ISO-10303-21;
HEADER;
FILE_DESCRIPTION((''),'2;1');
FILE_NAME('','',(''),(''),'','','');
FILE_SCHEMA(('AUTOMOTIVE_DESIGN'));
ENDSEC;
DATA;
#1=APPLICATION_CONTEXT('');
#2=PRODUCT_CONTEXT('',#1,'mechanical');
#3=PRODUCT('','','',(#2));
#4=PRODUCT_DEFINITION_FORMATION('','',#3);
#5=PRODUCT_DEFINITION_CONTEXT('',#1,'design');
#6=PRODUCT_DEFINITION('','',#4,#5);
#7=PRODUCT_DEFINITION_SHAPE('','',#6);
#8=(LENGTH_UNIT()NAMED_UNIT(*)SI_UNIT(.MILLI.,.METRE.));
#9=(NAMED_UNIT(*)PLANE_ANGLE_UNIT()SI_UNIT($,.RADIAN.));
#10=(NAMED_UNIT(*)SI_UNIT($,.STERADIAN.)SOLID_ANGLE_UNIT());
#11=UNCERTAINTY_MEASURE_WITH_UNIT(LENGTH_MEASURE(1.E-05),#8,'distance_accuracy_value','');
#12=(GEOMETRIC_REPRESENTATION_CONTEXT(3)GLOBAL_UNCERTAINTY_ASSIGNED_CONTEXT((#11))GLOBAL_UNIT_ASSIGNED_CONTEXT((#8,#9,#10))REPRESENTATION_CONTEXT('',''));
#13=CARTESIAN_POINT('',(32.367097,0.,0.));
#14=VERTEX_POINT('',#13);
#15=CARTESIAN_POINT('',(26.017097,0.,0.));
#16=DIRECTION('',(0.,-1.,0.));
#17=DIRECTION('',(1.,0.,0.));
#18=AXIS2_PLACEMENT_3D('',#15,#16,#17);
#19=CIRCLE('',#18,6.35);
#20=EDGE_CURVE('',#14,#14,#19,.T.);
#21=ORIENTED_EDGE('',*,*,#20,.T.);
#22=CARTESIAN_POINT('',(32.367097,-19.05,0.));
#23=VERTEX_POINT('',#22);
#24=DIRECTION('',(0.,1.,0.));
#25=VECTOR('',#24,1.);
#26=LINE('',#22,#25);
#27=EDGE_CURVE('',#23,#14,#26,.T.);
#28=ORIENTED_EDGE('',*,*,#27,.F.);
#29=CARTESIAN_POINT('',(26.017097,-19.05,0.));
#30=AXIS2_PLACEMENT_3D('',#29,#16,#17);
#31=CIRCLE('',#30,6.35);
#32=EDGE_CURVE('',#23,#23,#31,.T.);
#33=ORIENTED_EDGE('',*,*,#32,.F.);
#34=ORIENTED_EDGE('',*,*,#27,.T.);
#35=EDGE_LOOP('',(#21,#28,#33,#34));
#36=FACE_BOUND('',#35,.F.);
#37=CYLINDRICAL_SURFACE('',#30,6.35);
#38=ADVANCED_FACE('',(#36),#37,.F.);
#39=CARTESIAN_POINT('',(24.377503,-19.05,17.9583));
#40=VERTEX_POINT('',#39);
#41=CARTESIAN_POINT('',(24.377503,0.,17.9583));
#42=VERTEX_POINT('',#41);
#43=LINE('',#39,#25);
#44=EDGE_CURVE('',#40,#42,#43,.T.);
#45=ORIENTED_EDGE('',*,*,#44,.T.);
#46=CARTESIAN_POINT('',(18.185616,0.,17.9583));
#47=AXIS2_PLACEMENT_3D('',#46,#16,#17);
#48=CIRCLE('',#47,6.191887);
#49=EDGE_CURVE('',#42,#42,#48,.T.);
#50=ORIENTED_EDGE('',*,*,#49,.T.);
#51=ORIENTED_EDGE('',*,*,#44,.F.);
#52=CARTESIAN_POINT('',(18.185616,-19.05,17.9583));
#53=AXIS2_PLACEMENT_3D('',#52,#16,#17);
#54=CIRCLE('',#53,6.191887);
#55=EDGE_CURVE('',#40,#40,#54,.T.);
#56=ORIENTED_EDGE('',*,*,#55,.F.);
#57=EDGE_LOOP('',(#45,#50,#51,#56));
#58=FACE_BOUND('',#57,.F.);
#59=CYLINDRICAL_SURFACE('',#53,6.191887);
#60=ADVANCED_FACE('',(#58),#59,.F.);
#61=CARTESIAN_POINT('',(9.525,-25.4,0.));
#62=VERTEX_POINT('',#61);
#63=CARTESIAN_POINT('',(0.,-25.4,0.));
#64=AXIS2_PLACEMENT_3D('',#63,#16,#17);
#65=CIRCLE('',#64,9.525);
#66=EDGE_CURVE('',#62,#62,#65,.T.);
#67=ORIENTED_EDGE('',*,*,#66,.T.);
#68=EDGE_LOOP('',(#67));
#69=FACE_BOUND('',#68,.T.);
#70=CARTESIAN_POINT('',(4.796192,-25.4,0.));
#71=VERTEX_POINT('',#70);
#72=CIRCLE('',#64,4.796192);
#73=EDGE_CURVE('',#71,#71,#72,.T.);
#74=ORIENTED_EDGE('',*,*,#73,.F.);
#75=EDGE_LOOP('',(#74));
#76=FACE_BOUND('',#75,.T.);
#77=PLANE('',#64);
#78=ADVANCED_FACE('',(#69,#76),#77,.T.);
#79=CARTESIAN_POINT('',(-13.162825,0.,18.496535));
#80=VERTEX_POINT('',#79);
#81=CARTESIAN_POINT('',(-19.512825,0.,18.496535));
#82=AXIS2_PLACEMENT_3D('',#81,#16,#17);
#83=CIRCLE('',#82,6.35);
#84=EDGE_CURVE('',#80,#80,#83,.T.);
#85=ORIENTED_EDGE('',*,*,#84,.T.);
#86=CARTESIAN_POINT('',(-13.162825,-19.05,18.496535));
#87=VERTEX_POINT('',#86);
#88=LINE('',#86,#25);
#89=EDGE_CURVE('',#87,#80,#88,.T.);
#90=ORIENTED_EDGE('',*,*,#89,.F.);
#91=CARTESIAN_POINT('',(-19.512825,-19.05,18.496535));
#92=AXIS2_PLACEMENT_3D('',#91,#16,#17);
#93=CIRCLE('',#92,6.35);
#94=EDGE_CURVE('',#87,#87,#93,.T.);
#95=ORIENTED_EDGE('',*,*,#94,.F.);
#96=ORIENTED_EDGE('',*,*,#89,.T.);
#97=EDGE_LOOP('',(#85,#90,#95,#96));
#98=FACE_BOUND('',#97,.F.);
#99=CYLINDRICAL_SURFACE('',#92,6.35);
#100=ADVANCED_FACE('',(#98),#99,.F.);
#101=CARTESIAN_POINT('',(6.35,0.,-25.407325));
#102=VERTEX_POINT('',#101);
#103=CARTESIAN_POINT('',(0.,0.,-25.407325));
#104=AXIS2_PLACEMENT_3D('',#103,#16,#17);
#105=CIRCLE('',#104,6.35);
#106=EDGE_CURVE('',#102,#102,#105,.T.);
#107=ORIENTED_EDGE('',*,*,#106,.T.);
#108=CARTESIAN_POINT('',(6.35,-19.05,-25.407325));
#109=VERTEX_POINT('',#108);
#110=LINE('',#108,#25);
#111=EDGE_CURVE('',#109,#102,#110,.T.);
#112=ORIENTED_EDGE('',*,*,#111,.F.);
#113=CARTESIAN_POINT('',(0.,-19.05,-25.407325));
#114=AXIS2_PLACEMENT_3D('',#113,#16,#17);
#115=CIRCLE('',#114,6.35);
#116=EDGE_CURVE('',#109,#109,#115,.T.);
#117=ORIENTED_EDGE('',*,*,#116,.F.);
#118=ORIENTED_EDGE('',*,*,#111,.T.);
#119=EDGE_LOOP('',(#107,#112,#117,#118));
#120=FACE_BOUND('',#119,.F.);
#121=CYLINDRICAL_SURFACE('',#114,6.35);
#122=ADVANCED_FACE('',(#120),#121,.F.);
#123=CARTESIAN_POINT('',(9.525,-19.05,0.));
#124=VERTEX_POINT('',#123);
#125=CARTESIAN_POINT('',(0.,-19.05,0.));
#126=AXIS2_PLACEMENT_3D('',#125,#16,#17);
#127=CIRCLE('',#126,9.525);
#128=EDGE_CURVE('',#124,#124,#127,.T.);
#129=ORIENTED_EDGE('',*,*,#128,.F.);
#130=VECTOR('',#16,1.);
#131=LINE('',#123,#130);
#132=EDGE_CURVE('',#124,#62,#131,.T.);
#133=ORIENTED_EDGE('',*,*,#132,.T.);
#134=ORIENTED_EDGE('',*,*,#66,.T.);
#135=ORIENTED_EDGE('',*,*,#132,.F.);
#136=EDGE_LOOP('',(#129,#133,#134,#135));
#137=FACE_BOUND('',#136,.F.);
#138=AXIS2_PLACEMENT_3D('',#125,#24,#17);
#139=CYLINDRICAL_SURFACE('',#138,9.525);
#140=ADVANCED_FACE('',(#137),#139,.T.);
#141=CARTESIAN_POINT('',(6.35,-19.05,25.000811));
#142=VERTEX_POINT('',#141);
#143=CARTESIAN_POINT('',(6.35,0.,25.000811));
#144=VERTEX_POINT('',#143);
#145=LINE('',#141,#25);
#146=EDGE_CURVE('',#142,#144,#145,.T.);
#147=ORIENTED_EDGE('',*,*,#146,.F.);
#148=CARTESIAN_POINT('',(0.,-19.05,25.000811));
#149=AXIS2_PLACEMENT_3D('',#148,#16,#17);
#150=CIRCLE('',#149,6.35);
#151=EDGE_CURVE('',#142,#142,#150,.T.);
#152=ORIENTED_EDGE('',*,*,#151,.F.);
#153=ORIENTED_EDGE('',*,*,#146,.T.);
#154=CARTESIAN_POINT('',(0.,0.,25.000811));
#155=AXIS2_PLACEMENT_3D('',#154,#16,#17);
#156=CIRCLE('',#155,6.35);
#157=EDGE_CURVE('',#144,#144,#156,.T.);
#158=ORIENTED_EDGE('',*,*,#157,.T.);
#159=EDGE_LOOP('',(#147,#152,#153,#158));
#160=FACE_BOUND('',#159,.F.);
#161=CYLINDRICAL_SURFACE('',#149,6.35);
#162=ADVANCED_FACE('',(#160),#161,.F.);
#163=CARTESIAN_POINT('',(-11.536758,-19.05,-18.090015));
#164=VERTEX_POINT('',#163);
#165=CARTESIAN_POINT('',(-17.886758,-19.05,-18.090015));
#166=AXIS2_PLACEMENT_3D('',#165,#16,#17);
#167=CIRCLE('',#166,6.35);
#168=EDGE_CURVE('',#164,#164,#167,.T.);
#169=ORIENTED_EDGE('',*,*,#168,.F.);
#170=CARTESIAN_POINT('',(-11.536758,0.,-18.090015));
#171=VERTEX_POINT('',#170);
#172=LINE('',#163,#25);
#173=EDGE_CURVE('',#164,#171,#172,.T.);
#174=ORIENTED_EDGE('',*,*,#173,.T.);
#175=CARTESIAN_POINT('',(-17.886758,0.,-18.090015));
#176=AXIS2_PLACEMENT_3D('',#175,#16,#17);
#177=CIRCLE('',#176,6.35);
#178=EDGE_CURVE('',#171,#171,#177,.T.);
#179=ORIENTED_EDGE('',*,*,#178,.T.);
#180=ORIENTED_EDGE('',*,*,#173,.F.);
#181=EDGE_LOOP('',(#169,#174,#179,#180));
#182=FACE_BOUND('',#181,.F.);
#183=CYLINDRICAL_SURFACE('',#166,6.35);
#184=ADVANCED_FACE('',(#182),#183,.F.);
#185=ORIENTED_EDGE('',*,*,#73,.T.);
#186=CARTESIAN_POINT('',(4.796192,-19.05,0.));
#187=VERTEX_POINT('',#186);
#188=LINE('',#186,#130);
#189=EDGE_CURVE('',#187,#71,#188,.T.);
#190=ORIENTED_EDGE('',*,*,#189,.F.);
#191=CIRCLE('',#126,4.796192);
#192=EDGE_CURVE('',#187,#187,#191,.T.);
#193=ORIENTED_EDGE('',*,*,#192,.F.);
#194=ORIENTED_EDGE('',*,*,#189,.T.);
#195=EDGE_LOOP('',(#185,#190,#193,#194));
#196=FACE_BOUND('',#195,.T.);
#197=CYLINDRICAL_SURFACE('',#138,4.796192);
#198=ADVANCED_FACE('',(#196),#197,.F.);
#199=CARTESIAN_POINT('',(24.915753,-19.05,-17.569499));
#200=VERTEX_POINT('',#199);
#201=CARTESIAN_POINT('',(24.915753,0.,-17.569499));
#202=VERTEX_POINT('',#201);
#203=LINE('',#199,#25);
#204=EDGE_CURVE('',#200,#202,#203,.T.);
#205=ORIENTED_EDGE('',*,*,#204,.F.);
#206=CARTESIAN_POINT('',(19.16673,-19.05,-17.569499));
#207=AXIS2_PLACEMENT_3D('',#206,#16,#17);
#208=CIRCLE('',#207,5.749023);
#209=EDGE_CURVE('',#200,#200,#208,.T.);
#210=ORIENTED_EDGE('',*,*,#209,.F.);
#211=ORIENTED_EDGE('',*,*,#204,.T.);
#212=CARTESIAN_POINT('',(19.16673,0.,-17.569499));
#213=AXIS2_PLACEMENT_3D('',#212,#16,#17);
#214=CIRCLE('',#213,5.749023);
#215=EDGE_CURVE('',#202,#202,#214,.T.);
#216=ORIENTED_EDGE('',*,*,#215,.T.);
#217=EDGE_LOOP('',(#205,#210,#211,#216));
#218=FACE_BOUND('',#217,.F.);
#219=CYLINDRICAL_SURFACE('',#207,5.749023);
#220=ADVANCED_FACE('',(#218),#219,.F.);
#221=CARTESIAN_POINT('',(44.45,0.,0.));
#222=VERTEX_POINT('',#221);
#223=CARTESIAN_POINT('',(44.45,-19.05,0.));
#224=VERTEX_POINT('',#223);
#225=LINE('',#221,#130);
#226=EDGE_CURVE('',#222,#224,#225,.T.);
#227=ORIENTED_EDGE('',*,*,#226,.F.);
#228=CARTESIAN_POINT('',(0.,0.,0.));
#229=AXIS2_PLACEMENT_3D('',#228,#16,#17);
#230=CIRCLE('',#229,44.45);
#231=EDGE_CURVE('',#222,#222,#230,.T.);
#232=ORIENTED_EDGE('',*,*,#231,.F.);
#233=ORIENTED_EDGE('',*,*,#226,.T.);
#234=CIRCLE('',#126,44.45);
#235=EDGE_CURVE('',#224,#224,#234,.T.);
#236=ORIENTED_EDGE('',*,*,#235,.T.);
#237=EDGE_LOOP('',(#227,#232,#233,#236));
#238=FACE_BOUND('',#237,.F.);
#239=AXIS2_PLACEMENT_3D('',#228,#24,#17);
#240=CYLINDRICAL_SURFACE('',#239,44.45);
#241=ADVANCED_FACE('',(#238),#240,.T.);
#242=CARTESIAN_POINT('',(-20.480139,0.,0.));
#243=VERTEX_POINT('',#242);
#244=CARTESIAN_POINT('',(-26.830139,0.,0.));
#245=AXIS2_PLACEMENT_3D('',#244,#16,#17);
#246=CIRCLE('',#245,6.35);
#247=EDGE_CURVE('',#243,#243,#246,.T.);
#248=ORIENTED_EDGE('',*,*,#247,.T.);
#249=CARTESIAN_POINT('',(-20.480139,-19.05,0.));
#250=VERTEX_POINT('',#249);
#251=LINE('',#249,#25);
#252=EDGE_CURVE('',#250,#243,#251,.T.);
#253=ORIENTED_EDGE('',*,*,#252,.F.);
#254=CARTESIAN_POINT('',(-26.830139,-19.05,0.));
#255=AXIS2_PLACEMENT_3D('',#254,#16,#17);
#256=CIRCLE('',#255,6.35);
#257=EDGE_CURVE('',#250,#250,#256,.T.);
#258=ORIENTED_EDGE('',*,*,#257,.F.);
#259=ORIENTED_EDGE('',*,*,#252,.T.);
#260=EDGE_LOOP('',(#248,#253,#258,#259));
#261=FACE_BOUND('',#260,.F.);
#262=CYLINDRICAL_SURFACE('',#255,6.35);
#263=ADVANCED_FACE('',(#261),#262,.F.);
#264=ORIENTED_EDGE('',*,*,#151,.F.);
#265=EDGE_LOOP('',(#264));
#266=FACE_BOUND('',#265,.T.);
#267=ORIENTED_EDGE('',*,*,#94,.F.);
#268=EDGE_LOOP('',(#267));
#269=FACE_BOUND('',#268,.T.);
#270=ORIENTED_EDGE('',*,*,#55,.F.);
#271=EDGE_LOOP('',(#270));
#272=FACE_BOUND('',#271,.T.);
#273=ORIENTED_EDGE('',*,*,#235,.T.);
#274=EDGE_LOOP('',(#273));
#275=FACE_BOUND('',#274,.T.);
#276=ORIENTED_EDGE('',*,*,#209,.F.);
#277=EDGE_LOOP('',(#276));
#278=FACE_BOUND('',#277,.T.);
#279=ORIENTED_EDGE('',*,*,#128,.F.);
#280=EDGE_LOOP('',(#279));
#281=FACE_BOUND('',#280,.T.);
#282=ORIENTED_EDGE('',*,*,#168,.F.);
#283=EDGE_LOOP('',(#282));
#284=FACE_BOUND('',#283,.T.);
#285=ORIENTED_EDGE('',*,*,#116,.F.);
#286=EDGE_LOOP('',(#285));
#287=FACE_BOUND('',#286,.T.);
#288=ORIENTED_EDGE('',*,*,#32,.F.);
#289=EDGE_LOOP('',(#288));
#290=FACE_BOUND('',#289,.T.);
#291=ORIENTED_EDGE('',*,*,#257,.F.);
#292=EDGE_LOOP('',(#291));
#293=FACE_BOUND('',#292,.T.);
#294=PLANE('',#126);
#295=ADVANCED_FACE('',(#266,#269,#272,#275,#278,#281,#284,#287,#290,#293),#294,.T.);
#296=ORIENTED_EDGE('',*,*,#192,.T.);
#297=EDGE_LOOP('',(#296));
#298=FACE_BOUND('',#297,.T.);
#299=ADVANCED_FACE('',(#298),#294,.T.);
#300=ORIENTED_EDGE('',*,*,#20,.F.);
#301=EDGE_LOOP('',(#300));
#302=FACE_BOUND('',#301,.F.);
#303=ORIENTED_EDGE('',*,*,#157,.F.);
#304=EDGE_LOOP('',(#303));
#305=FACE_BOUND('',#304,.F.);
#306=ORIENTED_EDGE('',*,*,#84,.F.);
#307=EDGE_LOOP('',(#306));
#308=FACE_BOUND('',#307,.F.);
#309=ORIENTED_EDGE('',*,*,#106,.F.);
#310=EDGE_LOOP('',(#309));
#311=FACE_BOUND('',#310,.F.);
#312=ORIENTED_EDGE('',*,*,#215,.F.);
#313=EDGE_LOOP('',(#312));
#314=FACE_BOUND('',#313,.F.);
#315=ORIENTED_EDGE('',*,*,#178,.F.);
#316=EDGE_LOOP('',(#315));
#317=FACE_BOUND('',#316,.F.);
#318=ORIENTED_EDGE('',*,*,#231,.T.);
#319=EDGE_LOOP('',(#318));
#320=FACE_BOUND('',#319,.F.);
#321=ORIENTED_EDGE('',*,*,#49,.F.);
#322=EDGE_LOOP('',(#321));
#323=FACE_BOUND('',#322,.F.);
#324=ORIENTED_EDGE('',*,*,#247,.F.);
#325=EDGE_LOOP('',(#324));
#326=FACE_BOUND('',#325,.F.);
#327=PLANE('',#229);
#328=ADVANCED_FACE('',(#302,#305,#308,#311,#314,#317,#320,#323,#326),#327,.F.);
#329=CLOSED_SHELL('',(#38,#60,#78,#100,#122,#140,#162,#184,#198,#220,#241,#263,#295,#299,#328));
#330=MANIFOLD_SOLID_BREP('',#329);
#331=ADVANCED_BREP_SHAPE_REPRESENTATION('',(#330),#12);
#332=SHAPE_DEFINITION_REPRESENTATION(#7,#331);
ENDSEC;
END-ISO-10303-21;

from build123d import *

# Parameters (mm, degrees)
F0_R     = 44.45
F1_DEPTH = 19.05
F2_R     = 6.35
F2_R_2   = 6.191887
F2_R_3   = 5.749023
F3_DEPTH = 25.4
F4_R     = 9.525
F4_R_2   = 4.796192
F5_DEPTH = 6.35


with BuildPart() as f1:
    # F0 (on Front) → F1 (new body)
    with BuildSketch(Plane.XZ):
        Circle(F0_R)
    extrude(amount=F1_DEPTH)

    # F2 (on face) → F3 (cut)
    with BuildSketch(Plane.XZ.offset(19.05)):
        with Locations((0, 25.000811)):
            Circle(F2_R)
        with Locations((0, -25.407325)):
            Circle(F2_R)
        with Locations((26.017097, 0)):
            Circle(F2_R)
        with Locations((-26.830139, 0)):
            Circle(F2_R)
        with Locations((18.185616, 17.9583)):
            Circle(F2_R_2)
        with Locations((19.16673, -17.569499)):
            Circle(F2_R_3)
        with Locations((-17.886758, -18.090015)):
            Circle(F2_R)
        with Locations((-19.512825, 18.496535)):
            Circle(F2_R)
    extrude(amount=-F3_DEPTH, mode=Mode.SUBTRACT)

    # F4 (on face) → F5 (join)
    with BuildSketch(Plane.XZ.offset(19.05)):
        Circle(F4_R)
        Circle(F4_R_2, mode=Mode.SUBTRACT)
    extrude(amount=F5_DEPTH)


solid = f1.part
